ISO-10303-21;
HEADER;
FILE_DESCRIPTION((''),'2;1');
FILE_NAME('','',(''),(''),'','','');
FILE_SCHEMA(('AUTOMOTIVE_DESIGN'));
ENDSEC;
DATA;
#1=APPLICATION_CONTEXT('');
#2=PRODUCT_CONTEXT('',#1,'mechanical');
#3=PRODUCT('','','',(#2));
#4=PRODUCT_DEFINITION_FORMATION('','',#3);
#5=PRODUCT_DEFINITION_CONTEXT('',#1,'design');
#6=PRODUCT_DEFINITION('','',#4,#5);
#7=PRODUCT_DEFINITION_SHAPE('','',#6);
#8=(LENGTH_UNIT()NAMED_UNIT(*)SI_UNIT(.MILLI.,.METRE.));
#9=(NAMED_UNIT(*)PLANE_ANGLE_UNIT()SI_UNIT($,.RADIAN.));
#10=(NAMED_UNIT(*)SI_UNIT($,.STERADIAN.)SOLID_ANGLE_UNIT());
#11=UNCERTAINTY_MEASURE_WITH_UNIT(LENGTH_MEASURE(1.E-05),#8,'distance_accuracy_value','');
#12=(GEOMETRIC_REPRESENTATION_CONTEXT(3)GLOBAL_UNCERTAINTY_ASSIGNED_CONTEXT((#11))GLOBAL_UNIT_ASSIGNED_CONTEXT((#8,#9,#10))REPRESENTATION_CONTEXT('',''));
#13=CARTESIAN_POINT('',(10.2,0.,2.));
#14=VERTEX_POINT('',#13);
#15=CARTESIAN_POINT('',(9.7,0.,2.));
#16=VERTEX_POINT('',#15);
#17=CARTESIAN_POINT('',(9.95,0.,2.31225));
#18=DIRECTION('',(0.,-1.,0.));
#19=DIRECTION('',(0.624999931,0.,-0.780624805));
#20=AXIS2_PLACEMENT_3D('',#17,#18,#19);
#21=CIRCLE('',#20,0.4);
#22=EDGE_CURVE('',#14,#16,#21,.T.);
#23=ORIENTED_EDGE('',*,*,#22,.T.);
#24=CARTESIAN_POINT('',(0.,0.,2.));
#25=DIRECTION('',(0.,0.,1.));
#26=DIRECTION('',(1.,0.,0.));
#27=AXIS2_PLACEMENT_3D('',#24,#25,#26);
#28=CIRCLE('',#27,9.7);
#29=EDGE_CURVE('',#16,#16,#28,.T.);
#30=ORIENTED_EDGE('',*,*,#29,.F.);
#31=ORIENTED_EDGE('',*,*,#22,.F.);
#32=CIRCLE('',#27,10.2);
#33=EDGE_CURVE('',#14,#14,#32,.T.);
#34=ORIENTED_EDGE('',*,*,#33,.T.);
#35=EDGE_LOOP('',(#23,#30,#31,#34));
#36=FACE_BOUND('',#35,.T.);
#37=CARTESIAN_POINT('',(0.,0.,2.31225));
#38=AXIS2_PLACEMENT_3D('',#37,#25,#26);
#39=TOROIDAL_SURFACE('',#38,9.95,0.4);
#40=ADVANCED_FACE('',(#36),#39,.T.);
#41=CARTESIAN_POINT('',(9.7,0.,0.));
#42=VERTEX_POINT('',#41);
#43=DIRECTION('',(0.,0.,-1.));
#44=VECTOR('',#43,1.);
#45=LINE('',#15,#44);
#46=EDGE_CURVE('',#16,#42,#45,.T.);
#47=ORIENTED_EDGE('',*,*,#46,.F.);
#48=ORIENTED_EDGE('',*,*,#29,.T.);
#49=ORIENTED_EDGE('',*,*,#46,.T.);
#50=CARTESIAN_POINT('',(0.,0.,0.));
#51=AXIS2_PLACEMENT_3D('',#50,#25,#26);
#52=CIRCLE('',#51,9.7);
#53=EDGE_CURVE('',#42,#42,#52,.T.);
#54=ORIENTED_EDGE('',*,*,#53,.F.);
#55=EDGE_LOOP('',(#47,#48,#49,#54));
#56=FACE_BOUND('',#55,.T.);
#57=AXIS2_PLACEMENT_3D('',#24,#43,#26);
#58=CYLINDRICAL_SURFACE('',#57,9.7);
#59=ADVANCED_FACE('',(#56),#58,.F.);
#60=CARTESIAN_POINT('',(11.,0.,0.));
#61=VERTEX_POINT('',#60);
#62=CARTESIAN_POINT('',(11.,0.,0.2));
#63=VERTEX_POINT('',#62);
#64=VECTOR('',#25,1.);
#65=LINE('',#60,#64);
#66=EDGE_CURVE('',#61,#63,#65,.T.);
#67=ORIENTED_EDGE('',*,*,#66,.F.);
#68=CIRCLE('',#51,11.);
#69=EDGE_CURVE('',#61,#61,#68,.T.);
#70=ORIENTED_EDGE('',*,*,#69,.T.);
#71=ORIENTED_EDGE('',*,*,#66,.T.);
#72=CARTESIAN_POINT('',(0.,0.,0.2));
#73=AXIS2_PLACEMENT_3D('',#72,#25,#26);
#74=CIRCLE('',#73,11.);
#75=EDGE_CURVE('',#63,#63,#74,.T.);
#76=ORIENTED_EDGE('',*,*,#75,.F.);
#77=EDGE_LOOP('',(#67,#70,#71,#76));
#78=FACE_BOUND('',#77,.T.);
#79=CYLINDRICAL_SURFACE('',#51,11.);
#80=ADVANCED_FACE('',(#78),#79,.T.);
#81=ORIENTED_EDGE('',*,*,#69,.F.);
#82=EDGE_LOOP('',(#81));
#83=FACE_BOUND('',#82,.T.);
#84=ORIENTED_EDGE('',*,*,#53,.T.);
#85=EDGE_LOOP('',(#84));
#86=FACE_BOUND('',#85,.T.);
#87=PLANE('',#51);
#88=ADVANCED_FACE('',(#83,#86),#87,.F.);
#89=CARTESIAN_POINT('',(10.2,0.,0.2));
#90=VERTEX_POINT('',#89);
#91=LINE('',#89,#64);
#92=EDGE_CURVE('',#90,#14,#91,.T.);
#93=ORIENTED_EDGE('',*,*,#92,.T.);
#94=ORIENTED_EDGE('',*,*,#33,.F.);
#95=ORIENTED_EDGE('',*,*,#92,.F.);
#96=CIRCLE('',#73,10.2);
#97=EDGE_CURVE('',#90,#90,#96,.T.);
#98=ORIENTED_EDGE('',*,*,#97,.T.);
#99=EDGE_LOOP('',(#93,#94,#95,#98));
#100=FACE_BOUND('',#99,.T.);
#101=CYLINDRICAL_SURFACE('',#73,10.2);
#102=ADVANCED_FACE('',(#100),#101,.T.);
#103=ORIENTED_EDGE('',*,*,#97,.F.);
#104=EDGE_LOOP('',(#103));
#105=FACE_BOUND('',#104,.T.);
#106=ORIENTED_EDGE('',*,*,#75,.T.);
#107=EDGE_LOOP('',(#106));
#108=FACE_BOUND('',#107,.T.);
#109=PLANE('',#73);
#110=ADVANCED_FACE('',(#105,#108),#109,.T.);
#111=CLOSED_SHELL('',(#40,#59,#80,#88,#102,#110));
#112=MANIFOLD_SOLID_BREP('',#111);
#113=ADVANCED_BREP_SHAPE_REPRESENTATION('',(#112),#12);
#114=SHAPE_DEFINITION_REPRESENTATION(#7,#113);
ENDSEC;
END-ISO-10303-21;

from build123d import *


with BuildPart() as f1:
    # F0 (on Front) → F1 (revolve)
    with BuildSketch(Plane.XZ):
        with BuildLine():
            ThreePointArc((10.2, 2), (9.95, 2.71225), (9.7, 2))
            Line((9.7, 2), (9.7, 0))
            Line((9.7, 0), (11, 0))
            Line((11, 0), (11, 0.2))
            Line((11, 0.2), (10.2, 0.2))
            Line((10.2, 0.2), (10.2, 2))
        make_face()
    revolve(axis=Axis((0, 0, 6.027143), (0, 0, 1)))


solid = f1.part
